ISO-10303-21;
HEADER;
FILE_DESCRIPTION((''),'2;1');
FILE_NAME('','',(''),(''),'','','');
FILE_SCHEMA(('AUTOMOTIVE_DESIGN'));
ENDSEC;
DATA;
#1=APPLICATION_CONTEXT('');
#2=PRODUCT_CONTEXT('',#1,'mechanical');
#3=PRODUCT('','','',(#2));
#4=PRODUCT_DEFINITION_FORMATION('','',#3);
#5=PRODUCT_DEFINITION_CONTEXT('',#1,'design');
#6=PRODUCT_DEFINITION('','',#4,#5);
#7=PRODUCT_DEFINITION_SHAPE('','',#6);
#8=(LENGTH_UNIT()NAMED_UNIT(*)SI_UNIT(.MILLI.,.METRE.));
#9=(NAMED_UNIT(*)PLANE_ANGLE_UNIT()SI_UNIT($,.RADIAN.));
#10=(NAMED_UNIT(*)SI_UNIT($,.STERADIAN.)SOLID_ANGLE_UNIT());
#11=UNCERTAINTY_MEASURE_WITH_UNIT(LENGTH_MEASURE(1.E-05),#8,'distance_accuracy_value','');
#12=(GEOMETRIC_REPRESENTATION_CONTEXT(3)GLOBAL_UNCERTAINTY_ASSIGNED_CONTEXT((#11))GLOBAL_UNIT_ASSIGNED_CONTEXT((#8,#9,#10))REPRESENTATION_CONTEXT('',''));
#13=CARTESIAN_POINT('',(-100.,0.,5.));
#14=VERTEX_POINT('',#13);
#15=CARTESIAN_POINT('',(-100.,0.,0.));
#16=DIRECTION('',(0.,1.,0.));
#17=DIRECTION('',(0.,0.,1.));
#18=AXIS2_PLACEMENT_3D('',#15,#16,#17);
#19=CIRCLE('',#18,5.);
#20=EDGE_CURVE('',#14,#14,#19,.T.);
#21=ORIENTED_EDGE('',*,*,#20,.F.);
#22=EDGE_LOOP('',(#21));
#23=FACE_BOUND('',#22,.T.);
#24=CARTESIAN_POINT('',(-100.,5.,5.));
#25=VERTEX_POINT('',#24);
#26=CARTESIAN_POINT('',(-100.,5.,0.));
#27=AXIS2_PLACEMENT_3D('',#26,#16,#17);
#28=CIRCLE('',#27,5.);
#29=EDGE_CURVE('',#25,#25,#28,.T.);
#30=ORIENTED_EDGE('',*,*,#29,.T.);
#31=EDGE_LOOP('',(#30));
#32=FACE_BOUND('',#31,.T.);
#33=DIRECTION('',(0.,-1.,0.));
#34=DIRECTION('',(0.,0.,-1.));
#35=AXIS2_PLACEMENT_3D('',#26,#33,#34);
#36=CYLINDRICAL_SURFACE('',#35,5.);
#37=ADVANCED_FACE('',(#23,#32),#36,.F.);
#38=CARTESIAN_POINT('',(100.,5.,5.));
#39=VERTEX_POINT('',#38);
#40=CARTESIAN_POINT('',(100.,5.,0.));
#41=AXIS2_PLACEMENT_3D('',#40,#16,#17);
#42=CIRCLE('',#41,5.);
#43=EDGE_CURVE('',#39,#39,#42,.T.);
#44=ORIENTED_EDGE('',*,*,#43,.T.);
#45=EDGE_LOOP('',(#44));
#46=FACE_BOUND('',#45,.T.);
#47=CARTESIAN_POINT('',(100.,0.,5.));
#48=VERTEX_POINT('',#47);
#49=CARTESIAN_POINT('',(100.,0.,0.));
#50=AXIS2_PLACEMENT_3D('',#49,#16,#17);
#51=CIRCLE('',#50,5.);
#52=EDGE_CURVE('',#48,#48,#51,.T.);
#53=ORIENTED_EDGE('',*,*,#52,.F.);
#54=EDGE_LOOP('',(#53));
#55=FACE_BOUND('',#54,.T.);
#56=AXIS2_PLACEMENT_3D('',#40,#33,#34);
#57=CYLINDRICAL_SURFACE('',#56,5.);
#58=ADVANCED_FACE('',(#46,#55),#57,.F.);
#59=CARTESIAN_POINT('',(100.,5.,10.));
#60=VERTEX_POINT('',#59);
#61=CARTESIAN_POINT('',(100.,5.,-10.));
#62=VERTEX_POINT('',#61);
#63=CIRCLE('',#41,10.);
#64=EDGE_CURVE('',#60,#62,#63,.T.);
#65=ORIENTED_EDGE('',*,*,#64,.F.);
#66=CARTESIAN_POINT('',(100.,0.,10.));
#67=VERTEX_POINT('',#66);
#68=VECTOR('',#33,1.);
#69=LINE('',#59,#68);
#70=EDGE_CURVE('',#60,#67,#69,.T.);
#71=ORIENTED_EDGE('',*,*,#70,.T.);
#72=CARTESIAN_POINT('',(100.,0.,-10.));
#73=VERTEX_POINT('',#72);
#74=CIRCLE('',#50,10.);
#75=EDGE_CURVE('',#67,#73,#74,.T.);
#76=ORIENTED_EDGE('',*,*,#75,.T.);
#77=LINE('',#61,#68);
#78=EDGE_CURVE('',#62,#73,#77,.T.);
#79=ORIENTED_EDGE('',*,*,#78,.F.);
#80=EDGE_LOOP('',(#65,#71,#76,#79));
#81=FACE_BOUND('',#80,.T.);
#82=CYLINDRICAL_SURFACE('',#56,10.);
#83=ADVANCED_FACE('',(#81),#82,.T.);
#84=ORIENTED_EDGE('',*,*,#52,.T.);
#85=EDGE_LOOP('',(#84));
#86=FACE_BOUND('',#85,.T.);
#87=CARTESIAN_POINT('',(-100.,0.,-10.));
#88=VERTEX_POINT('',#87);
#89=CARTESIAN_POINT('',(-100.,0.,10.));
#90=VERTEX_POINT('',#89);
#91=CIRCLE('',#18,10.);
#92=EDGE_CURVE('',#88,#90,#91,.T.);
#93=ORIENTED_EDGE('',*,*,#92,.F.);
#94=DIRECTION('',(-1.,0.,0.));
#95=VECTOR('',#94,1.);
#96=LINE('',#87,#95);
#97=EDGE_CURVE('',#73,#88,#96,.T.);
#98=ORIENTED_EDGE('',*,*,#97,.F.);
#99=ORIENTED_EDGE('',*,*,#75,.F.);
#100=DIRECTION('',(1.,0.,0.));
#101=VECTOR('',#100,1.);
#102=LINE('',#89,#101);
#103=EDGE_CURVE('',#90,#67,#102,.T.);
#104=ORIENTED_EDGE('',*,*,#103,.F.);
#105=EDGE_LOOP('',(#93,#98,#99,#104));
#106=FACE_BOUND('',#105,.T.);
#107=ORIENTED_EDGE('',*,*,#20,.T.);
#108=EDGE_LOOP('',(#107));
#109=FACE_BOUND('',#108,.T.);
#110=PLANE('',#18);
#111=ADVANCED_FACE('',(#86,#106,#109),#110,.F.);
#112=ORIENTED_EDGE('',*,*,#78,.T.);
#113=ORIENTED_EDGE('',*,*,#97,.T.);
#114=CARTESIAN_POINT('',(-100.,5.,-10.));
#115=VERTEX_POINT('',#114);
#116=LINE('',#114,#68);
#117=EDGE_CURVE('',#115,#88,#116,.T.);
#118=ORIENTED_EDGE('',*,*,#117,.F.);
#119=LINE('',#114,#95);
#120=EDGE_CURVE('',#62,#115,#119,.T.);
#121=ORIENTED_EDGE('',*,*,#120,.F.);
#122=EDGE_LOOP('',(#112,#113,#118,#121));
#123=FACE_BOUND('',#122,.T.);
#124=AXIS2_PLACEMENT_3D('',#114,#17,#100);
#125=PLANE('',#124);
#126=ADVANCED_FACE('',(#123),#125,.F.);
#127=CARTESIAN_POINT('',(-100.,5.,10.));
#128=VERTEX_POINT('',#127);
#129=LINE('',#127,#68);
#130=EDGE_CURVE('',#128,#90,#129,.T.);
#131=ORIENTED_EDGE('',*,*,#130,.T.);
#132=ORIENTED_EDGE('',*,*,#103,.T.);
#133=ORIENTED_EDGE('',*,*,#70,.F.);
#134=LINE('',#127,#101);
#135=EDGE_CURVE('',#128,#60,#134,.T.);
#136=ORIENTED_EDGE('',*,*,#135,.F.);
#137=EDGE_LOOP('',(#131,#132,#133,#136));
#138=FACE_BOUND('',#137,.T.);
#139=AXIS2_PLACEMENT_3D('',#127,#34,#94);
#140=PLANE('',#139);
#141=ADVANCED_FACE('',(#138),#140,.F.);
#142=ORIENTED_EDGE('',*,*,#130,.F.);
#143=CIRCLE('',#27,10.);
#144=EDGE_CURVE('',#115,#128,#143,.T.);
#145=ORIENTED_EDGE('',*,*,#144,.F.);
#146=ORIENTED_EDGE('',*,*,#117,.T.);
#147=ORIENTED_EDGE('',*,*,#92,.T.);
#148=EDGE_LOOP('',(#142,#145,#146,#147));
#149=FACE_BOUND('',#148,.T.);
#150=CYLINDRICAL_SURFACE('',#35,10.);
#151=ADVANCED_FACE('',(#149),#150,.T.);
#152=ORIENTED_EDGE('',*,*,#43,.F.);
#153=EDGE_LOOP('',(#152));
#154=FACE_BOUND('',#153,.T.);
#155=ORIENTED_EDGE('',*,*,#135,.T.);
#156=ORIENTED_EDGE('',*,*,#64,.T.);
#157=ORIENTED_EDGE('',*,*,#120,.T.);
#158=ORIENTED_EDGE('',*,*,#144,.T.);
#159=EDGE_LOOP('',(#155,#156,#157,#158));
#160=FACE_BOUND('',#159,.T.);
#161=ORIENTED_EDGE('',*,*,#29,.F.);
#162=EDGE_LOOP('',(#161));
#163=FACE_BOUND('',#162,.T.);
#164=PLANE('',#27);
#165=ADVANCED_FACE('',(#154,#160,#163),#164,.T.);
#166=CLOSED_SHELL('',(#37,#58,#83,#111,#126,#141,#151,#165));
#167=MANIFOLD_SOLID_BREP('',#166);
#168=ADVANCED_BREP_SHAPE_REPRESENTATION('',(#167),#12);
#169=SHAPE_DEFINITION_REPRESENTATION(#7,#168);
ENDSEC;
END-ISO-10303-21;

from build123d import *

# Parameters (mm, degrees)
SKETCH1_R           = 5
BOSS_EXTRUDE1_DEPTH = 5


with BuildPart() as part:
    # Sketch1 → Boss-Extrude1 (new body)
    with BuildSketch(Plane(origin=(0, 0, 0), x_dir=(1, 0, 0), z_dir=(0, 1, 0))):
        with BuildLine():
            Line((-100, 10), (100, 10))
            ThreePointArc((100, 10), (110, 0), (100, -10))
            Line((100, -10), (-100, -10))
            ThreePointArc((-100, -10), (-110, 0), (-100, 10))
        make_face()
        with Locations(Location((-100, 0, 0), (0, 0, 270))):
            Circle(SKETCH1_R, mode=Mode.SUBTRACT)
        with Locations(Location((100, 0, 0), (0, 0, 270))):
            Circle(SKETCH1_R, mode=Mode.SUBTRACT)
    extrude(amount=BOSS_EXTRUDE1_DEPTH)


solid = part.part
